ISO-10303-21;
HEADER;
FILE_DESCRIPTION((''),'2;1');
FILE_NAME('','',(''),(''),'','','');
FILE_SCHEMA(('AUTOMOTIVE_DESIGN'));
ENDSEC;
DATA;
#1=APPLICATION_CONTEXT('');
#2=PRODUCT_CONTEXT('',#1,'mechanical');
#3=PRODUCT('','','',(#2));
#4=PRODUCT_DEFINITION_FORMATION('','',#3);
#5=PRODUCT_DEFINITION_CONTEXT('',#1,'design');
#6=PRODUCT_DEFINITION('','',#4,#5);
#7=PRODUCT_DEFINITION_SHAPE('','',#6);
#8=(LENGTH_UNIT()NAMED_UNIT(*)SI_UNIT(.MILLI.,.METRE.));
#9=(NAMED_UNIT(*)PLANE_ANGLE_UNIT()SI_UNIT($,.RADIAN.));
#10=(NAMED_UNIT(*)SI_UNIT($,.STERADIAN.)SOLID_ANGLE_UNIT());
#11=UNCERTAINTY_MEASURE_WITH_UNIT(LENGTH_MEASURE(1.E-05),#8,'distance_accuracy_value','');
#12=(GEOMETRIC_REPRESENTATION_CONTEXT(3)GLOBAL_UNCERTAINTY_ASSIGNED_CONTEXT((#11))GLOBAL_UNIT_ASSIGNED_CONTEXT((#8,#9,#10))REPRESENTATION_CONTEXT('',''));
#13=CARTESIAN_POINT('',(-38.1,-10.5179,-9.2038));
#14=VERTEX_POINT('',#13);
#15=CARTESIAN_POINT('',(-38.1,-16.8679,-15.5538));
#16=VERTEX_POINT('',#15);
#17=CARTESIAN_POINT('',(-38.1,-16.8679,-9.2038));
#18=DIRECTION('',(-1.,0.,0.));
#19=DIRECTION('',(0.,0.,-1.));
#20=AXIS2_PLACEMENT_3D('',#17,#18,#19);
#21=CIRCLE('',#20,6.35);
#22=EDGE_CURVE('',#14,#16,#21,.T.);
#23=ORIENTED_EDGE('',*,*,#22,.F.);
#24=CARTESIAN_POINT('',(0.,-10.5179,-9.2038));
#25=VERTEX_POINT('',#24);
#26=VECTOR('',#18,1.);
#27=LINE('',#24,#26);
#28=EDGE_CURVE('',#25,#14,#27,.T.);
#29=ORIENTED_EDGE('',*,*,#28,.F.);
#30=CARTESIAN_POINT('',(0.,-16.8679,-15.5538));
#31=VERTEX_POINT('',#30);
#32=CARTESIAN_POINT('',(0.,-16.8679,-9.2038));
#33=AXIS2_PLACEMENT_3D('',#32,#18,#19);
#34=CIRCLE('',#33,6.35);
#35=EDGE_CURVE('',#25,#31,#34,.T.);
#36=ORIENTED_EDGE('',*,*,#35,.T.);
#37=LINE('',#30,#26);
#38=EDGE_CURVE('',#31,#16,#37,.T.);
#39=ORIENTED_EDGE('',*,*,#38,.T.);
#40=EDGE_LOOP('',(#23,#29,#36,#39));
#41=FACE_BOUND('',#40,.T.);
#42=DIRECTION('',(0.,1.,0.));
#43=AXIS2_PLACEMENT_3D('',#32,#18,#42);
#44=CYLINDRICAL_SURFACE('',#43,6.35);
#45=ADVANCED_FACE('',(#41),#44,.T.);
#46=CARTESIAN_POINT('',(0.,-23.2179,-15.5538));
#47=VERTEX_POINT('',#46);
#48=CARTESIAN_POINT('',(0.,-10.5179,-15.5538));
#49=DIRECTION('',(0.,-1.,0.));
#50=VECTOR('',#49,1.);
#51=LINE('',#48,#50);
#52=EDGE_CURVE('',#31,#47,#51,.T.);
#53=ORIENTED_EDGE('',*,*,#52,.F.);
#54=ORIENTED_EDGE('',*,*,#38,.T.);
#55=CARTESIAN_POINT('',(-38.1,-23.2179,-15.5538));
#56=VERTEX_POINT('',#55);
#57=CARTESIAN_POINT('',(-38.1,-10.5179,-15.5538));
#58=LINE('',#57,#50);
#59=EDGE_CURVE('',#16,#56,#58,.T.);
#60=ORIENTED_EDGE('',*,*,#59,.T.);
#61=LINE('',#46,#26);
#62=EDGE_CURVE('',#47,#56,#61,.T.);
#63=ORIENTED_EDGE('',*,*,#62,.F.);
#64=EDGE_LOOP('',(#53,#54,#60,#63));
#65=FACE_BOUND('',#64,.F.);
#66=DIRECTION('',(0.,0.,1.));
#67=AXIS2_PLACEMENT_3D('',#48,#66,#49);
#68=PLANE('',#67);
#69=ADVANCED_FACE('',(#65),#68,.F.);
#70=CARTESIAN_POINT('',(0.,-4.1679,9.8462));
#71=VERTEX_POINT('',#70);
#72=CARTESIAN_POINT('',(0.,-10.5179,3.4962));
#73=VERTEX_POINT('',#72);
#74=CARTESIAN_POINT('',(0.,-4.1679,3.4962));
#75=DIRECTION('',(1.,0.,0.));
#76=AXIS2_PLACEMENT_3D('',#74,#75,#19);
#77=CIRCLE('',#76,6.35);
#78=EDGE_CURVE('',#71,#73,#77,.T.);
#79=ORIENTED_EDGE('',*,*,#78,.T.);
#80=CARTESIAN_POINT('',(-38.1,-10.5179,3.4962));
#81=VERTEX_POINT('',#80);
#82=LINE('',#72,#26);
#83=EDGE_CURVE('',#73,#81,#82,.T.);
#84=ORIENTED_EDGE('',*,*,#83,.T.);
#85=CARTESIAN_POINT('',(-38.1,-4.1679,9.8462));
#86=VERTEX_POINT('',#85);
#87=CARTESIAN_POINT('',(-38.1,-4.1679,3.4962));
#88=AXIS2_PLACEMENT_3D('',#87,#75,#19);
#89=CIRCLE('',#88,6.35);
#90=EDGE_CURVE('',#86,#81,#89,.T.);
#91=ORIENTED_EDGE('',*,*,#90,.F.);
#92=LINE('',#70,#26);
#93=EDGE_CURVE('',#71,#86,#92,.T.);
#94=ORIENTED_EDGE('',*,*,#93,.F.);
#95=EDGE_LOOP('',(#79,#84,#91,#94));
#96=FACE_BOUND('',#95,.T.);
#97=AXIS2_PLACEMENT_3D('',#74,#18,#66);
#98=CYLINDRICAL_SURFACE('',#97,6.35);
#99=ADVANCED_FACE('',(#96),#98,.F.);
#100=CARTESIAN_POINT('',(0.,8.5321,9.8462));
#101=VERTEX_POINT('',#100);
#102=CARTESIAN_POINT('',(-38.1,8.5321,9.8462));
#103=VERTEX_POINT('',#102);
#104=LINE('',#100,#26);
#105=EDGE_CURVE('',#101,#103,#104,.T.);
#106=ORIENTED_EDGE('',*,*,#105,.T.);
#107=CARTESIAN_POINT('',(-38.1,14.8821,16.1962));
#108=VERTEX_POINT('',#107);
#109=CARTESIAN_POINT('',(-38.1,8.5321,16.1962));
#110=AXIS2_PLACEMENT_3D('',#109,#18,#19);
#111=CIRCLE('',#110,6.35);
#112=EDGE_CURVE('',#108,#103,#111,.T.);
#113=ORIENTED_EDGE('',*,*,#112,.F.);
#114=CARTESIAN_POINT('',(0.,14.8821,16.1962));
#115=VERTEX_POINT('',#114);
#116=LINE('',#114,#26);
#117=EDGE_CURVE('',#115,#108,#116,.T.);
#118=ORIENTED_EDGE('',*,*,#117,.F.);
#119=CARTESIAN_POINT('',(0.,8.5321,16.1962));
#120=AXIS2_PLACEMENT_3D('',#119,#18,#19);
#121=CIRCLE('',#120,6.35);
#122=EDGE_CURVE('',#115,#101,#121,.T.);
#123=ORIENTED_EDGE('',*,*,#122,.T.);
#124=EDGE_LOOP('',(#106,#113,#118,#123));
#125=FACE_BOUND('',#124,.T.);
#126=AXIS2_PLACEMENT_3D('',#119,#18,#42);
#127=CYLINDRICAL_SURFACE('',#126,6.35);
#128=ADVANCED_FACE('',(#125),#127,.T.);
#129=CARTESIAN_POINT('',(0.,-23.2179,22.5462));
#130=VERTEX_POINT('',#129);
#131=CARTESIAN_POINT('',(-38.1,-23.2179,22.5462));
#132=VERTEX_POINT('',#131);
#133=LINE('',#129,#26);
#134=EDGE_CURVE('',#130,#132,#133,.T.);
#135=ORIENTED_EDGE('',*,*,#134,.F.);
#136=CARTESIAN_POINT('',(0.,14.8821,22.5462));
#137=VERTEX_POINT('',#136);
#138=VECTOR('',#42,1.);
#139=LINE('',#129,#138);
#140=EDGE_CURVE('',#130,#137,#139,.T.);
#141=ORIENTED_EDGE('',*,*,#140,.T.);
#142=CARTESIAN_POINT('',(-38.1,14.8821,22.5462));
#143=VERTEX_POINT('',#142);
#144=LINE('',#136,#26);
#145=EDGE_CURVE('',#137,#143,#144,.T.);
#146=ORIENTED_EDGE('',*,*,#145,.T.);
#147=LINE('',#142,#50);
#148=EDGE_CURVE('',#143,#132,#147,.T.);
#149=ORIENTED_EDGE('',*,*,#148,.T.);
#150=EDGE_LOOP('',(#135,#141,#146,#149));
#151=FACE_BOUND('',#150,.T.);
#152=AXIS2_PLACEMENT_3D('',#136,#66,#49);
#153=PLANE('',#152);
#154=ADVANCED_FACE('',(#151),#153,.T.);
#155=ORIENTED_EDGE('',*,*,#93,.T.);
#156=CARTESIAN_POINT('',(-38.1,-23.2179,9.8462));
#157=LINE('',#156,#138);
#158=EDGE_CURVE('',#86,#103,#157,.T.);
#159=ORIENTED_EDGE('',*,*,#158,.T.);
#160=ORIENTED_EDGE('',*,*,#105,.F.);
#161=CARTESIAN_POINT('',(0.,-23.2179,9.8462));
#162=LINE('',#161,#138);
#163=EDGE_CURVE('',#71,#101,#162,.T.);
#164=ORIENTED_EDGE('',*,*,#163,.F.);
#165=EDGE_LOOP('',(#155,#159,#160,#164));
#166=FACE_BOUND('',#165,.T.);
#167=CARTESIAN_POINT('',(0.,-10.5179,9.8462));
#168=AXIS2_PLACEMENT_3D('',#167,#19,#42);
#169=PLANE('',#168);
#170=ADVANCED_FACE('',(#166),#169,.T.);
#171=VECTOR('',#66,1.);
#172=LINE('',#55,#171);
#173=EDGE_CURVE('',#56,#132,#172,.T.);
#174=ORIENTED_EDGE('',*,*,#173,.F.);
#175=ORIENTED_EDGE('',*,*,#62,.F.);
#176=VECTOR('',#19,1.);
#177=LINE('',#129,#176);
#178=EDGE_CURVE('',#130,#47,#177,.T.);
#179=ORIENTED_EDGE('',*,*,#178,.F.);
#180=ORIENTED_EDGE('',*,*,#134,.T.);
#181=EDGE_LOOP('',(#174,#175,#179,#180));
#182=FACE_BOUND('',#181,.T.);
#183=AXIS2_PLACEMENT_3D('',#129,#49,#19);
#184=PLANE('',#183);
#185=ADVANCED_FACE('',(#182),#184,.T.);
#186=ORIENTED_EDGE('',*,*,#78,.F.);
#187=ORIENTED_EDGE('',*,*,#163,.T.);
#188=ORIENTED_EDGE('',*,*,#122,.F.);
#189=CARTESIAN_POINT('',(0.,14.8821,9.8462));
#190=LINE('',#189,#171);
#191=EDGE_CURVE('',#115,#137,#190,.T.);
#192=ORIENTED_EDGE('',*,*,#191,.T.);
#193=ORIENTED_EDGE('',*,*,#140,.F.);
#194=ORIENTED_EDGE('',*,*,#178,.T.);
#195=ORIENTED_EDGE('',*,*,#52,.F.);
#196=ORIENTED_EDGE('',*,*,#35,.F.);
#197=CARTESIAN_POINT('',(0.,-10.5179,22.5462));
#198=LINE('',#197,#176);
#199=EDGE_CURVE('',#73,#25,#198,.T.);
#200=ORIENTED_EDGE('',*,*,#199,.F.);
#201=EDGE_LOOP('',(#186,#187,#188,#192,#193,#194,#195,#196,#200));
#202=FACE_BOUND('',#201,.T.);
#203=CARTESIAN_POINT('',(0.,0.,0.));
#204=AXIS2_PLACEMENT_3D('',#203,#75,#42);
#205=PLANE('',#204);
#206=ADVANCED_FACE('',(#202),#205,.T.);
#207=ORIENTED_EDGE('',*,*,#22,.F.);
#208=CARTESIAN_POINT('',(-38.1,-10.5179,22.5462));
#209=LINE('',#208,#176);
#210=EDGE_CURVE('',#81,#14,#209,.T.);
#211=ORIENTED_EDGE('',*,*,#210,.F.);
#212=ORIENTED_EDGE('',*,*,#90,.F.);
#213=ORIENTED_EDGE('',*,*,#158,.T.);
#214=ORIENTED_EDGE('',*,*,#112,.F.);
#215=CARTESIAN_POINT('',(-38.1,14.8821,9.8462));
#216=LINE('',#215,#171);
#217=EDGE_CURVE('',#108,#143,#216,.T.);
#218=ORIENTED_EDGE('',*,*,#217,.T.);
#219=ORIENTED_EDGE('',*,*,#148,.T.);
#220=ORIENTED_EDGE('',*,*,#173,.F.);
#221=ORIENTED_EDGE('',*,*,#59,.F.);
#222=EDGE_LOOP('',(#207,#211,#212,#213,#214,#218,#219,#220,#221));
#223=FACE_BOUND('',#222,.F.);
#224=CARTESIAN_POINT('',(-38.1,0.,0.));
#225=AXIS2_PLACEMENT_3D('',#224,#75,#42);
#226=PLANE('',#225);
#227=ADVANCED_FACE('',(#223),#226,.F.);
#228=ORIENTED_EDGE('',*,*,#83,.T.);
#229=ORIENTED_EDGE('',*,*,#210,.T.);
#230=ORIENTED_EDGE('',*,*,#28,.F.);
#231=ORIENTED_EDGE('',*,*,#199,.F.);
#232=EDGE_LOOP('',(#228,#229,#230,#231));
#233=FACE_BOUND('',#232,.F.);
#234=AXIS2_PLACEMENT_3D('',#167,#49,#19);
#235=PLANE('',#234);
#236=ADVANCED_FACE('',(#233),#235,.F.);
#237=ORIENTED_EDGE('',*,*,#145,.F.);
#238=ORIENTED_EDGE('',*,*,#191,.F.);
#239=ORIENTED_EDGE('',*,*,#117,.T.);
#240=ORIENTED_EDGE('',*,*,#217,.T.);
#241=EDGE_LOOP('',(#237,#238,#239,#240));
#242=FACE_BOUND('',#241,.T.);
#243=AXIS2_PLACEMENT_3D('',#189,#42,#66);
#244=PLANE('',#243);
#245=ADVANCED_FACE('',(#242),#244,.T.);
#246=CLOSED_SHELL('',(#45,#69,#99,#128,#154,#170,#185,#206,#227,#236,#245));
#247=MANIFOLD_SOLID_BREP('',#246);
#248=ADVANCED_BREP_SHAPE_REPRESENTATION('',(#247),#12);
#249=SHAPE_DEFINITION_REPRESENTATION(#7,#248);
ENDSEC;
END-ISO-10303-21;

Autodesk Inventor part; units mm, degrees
ref_plane "YZ Plane" through (0, 0, 0) normal (1, 0, 0) x (0, 1, 0)
ref_plane "XZ Plane" through (0, 0, 0) normal (0, 1, 0) x (-1, 0, 0)
ref_plane "XY Plane" through (0, 0, 0) normal (0, 0, 1) x (1, 0, 0)
sketch "Sketch1" plane through (0, 0, 0) normal (1, 0, 0) x (0, 1, 0)
  line L0 (14.8821, 22.5462) -> (-23.2179, 22.5462)
  line L1 (-23.2179, 22.5462) -> (-23.2179, 9.8462)
  line L2 (-23.2179, 9.8462) -> (14.8821, 9.8462)
  line L3 (14.8821, 9.8462) -> (14.8821, 22.5462)
  line L4 (-23.2179, 22.5462) -> (-10.5179, 22.5462)
  line L5 (-10.5179, 22.5462) -> (-10.5179, -15.5538)
  line L6 (-10.5179, -15.5538) -> (-23.2179, -15.5538)
  line L7 (-23.2179, -15.5538) -> (-23.2179, 22.5462)
  point P0 (0, 0)
  dimension "d0" = 38.1
  dimension "d1" = 12.7
  dimension "d2" = 12.7
  dimension "d3" = 38.1
extrude "Extrusion1" add sketch "Sketch1" against normal blind 38.1
fillet "Fillet1" radius 6.35 3 edges at (-19.05, 14.8821, 9.8462) (-19.05, -10.5179, -15.5538) (-19.05, -10.5179, 9.8462)
properties part number "L Filllet"
